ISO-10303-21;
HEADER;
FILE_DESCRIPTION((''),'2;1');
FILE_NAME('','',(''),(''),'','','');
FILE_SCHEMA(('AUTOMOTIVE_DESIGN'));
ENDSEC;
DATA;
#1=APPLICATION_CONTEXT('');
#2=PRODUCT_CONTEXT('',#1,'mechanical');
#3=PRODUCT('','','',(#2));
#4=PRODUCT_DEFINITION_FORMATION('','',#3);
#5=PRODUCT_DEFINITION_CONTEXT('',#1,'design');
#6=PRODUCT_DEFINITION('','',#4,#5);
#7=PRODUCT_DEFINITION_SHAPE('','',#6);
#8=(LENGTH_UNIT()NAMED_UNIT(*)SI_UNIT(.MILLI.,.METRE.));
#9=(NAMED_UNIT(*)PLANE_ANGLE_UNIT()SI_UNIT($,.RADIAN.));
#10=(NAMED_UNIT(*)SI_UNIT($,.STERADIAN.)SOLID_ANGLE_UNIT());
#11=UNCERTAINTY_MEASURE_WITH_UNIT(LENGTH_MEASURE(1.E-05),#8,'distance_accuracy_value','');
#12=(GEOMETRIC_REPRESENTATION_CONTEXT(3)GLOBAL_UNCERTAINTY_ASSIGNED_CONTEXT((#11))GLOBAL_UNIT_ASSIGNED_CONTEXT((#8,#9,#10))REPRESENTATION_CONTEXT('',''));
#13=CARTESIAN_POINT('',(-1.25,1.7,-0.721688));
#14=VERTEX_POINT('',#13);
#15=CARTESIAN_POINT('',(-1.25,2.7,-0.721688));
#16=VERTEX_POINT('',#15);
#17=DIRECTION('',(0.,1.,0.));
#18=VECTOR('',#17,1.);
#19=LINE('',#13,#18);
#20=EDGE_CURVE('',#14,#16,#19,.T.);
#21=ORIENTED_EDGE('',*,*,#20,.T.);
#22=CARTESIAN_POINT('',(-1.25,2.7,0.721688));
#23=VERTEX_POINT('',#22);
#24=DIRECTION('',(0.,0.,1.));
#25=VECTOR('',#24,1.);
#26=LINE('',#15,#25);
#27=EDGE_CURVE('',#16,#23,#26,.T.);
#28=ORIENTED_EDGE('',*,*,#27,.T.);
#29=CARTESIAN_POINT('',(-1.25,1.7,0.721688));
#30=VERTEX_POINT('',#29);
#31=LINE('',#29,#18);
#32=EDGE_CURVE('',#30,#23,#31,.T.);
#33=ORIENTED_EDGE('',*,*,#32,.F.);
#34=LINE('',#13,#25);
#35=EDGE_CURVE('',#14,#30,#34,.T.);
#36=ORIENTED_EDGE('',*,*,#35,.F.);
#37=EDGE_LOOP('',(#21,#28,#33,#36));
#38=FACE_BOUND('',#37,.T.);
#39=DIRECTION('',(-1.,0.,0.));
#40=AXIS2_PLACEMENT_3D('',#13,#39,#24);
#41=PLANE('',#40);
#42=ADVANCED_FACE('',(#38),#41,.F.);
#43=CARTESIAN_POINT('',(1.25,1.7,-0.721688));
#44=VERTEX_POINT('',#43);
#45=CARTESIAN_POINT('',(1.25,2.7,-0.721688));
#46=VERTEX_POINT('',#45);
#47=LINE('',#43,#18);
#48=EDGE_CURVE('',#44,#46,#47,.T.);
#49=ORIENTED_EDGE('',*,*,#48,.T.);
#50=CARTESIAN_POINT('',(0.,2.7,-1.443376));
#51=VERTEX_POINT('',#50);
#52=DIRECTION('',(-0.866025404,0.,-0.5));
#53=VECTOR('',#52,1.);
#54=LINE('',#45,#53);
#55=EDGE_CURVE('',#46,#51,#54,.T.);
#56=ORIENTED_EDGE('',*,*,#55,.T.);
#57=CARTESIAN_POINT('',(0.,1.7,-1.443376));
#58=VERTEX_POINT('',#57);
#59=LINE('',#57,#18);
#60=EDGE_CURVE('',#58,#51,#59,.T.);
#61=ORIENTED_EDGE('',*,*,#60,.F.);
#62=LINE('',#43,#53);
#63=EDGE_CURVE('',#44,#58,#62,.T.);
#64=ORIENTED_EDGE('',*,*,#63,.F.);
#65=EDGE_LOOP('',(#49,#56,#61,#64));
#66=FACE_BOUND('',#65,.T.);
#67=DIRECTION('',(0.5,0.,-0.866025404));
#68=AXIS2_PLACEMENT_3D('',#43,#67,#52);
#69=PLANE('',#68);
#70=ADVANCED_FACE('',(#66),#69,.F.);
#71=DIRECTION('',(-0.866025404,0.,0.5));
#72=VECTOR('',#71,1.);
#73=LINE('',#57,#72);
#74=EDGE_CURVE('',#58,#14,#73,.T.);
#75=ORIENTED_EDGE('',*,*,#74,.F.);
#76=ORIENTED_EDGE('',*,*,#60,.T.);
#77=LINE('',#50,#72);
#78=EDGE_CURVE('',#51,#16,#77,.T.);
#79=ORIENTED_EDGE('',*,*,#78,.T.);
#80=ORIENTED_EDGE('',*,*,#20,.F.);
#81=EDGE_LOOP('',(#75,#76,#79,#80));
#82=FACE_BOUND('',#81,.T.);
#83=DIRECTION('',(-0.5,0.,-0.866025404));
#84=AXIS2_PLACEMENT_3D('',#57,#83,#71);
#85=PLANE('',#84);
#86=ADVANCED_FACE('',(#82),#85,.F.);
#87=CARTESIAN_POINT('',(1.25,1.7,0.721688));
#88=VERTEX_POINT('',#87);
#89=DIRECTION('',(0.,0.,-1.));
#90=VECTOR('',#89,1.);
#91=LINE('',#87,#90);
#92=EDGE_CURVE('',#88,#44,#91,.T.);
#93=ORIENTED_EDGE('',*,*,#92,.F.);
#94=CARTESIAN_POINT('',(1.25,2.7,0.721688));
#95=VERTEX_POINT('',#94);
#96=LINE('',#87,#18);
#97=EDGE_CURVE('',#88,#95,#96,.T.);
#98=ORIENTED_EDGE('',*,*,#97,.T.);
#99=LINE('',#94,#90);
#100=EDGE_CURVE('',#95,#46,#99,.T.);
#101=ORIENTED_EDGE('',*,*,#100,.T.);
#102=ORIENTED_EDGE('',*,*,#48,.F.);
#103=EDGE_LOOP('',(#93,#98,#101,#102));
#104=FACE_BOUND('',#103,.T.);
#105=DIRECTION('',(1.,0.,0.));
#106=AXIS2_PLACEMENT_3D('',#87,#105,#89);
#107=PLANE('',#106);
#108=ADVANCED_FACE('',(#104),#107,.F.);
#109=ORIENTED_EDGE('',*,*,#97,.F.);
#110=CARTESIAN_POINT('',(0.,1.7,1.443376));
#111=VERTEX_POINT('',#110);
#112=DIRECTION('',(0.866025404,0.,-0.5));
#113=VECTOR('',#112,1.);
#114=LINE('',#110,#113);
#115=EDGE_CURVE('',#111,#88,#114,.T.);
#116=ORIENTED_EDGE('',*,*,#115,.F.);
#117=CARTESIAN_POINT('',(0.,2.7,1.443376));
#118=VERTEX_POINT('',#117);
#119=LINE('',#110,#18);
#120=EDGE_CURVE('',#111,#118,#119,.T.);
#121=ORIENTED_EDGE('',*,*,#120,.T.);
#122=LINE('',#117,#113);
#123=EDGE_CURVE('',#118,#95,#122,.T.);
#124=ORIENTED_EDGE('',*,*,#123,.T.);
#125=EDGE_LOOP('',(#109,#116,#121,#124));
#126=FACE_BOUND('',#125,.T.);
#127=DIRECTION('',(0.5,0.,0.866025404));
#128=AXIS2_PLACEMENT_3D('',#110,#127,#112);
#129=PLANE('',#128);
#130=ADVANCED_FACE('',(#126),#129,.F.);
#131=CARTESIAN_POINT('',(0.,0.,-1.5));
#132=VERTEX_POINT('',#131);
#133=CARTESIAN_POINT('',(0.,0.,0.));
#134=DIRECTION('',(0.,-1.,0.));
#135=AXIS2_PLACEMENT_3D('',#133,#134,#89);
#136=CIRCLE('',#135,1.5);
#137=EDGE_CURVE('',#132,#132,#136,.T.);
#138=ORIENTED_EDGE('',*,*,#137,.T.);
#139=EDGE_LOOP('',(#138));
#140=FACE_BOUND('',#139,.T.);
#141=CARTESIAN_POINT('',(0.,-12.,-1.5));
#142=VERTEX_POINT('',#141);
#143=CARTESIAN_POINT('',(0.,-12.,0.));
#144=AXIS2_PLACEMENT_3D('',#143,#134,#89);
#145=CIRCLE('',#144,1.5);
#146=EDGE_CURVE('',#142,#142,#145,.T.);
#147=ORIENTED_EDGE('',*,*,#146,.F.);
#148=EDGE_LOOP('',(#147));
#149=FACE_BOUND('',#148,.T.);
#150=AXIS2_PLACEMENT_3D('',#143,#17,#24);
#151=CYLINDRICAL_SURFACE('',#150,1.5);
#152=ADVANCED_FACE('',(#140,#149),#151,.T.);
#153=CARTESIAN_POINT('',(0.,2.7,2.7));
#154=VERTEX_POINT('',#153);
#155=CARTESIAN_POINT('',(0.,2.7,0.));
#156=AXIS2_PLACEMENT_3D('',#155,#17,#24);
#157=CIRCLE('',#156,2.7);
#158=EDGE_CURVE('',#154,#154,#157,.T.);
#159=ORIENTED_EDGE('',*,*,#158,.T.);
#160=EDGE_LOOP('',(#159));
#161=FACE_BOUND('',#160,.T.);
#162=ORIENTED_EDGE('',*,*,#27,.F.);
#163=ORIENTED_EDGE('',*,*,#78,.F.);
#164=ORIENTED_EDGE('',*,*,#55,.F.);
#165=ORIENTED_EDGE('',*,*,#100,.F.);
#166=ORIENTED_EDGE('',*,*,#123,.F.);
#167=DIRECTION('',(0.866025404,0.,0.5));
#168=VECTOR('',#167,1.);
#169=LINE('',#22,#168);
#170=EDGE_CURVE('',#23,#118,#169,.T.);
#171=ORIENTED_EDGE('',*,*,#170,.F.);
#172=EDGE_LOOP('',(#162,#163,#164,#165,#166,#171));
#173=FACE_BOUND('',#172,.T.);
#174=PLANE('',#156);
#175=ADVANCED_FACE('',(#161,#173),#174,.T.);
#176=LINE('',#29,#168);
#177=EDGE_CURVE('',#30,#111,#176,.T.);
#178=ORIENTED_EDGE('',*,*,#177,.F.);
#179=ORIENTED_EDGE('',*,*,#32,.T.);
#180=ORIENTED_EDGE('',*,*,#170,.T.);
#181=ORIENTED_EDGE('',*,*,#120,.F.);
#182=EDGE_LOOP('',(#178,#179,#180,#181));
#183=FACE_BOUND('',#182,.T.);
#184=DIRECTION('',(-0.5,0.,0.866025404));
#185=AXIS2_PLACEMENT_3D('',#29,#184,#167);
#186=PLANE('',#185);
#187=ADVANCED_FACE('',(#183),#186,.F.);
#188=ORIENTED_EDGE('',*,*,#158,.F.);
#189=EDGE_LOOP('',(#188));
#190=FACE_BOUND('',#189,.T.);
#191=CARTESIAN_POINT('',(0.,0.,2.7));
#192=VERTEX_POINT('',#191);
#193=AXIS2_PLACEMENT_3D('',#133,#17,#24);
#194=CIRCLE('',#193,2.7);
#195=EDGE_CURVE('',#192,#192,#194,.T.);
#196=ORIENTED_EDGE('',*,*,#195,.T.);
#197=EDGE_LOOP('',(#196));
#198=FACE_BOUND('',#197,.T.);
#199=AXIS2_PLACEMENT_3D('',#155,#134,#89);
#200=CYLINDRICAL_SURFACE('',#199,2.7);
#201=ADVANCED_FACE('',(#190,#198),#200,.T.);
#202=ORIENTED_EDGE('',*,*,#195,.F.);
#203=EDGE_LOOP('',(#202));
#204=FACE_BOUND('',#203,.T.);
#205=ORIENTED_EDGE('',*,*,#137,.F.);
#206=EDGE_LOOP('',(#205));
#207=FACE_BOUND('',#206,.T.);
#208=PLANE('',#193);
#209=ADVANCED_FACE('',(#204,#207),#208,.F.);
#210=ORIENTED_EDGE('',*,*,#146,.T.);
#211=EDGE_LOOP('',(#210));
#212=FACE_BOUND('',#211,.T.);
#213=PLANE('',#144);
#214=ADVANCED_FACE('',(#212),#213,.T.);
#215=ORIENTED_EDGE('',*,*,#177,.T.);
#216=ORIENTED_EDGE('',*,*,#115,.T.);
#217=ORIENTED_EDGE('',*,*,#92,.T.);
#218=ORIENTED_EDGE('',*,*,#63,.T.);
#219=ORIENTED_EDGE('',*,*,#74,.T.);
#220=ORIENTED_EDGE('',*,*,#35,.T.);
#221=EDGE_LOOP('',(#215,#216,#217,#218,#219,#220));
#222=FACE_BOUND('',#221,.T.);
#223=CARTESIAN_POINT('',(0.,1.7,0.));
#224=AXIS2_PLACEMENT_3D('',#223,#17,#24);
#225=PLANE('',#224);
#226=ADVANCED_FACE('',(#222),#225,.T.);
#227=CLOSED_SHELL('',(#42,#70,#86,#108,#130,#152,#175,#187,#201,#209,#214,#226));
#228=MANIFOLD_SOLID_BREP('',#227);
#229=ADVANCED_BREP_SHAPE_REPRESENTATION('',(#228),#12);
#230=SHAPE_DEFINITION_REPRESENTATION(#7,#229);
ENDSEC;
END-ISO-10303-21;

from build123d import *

# Parameters (mm, degrees)
SKETCH1_R           = 2.7
BOSS_EXTRUDE1_DEPTH = 2.7
CUT_EXTRUDE1_DEPTH  = 1
SKETCH3_R           = 1.5
BOSS_EXTRUDE2_DEPTH = 12


with BuildPart() as part:
    # Sketch1 → Boss-Extrude1 (new body)
    with BuildSketch(Plane(origin=(0, 0, 0), x_dir=(1, 0, 0), z_dir=(0, 1, 0))):
        Circle(SKETCH1_R)
    extrude(amount=BOSS_EXTRUDE1_DEPTH)

    # Sketch2 → Cut-Extrude1 (cut)
    with BuildSketch(Plane(origin=(0, 2.7, 0), x_dir=(1, 0, 0), z_dir=(0, 1, 0))):
        Polygon((0, 1.443375673), (-1.25, 0.721687836), (-1.25, -0.721687836), (0, -1.443375673), (1.25, -0.721687836), (1.25, 0.721687836), align=None)
    extrude(amount=-CUT_EXTRUDE1_DEPTH, mode=Mode.SUBTRACT)

    # Sketch3 → Boss-Extrude2 (add)
    with BuildSketch(Plane.XZ):
        Circle(SKETCH3_R)
    extrude(amount=BOSS_EXTRUDE2_DEPTH)


solid = part.part
